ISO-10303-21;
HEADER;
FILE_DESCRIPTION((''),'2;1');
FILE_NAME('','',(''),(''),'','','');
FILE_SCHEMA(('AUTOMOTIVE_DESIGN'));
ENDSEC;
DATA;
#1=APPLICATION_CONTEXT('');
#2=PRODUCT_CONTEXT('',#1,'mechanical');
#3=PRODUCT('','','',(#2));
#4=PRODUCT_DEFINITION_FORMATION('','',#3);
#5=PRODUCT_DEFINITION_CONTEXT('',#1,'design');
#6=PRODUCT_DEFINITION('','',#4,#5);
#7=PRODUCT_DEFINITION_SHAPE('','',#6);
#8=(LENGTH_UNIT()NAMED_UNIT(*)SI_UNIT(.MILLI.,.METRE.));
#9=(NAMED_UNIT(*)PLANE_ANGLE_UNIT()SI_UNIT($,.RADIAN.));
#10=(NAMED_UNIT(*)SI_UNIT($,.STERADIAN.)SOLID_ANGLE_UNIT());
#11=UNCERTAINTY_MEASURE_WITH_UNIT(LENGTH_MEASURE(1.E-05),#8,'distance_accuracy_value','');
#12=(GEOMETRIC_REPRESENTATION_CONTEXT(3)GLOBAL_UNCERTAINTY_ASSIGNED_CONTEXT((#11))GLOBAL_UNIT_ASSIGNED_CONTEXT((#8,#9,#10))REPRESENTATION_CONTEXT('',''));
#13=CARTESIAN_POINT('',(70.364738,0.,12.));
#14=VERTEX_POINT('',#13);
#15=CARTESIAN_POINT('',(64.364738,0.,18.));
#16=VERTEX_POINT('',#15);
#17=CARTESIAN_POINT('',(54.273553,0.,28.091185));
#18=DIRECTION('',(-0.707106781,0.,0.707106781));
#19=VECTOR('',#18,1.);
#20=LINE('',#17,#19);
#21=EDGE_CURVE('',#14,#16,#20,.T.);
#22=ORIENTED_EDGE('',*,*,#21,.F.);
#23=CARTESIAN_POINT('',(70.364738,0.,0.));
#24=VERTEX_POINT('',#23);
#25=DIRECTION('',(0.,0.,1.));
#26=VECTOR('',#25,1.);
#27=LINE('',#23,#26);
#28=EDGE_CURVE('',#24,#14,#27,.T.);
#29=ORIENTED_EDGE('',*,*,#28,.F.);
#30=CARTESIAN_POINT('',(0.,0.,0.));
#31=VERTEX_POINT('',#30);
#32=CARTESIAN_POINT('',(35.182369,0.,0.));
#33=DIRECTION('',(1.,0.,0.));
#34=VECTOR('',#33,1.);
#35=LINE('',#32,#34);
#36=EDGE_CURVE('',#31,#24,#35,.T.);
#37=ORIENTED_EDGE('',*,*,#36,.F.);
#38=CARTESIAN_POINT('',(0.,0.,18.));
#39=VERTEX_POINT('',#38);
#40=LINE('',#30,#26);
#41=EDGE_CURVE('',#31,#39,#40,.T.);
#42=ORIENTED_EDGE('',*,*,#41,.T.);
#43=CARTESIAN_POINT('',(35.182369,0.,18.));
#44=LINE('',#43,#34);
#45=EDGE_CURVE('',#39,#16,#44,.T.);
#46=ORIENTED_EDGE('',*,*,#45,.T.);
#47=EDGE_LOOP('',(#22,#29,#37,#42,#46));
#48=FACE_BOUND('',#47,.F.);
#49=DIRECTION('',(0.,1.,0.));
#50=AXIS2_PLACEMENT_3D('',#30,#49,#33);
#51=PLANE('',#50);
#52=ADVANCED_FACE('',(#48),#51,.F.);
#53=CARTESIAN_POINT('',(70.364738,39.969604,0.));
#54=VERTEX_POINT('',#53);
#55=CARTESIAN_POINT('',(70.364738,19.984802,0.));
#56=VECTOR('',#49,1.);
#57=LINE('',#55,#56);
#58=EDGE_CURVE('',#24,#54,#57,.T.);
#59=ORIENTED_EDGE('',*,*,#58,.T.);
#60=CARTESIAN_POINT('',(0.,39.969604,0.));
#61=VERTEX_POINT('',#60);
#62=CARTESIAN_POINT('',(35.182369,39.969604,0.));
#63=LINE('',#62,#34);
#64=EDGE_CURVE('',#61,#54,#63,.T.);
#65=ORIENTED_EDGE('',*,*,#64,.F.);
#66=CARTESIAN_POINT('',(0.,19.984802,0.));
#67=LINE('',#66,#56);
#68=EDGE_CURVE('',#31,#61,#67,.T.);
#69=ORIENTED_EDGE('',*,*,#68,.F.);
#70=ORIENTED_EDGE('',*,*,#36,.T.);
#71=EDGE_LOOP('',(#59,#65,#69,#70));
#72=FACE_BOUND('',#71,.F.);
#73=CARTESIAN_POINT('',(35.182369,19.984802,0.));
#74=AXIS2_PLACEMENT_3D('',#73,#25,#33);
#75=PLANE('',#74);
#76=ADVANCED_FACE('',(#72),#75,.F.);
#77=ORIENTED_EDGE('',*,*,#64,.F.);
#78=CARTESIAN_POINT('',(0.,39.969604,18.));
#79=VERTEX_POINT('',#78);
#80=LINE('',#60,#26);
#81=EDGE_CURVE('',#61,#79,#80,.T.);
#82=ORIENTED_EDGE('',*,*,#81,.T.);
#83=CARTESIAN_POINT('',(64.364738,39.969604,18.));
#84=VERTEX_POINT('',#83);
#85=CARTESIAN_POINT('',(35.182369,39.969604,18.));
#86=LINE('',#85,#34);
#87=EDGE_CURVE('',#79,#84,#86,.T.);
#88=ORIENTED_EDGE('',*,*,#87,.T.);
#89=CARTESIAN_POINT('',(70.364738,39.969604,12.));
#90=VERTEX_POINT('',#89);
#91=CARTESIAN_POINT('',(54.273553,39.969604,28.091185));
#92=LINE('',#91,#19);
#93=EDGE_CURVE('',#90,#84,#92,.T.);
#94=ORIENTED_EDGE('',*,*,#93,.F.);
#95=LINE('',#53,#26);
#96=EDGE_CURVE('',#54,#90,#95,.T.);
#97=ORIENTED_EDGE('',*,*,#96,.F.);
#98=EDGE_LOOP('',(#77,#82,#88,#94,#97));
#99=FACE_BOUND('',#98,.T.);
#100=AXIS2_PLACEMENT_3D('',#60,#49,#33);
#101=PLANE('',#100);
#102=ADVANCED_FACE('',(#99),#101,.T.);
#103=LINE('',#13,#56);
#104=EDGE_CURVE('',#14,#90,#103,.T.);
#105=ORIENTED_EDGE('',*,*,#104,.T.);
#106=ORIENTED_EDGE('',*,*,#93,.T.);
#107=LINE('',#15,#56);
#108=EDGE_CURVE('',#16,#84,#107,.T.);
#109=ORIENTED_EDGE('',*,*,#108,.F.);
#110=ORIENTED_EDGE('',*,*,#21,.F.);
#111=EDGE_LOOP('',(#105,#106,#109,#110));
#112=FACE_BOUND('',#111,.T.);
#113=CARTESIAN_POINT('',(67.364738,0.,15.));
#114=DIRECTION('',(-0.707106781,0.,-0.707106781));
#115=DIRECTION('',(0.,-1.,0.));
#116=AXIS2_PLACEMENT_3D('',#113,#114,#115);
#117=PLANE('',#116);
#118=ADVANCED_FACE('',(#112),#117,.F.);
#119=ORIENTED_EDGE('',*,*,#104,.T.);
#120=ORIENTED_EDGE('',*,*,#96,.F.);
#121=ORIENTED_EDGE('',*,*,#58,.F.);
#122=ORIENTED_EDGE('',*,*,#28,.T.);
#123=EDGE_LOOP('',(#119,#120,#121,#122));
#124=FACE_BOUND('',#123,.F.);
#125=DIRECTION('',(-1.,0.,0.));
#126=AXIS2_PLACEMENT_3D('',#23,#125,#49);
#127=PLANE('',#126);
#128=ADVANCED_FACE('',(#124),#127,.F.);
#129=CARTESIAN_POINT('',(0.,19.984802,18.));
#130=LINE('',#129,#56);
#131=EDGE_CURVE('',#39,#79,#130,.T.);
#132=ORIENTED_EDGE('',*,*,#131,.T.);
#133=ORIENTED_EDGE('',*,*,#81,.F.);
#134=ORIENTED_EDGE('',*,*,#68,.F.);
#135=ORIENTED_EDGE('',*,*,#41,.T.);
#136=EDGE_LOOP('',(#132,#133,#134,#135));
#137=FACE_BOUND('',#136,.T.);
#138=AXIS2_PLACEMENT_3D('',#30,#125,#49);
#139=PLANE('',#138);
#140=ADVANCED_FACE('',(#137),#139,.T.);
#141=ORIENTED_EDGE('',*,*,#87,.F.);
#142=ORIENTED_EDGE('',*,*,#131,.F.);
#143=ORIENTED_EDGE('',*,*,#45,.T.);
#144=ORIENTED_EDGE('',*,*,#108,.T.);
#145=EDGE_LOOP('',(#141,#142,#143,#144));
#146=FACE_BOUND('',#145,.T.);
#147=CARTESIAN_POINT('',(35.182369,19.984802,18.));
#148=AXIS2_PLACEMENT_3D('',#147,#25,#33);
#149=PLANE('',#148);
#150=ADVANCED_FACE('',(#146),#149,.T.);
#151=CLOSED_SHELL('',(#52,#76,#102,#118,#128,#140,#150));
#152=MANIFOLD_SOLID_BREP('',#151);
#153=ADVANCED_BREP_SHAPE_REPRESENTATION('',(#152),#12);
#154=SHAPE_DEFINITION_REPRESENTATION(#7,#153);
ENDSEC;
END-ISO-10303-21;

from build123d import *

# Parameters (mm, degrees)
SKETCH_W     = 70.364738
SKETCH_H     = 39.969604
PAD_DEPTH    = 18
CHAMFER_SIZE = 6


with BuildPart() as part:
    # Sketch → Pad (new body)
    with BuildSketch(Plane.XY):
        with Locations((35.182369, 19.984802)):
            Rectangle(SKETCH_W, SKETCH_H)
    extrude(amount=PAD_DEPTH)

    # Chamfer
    chamfer_edges = [part.edges().sort_by_distance(p)[0] for p in [
        (70.364738, 19.984802, 18),
    ]]
    chamfer(chamfer_edges, length=CHAMFER_SIZE)


solid = part.part
